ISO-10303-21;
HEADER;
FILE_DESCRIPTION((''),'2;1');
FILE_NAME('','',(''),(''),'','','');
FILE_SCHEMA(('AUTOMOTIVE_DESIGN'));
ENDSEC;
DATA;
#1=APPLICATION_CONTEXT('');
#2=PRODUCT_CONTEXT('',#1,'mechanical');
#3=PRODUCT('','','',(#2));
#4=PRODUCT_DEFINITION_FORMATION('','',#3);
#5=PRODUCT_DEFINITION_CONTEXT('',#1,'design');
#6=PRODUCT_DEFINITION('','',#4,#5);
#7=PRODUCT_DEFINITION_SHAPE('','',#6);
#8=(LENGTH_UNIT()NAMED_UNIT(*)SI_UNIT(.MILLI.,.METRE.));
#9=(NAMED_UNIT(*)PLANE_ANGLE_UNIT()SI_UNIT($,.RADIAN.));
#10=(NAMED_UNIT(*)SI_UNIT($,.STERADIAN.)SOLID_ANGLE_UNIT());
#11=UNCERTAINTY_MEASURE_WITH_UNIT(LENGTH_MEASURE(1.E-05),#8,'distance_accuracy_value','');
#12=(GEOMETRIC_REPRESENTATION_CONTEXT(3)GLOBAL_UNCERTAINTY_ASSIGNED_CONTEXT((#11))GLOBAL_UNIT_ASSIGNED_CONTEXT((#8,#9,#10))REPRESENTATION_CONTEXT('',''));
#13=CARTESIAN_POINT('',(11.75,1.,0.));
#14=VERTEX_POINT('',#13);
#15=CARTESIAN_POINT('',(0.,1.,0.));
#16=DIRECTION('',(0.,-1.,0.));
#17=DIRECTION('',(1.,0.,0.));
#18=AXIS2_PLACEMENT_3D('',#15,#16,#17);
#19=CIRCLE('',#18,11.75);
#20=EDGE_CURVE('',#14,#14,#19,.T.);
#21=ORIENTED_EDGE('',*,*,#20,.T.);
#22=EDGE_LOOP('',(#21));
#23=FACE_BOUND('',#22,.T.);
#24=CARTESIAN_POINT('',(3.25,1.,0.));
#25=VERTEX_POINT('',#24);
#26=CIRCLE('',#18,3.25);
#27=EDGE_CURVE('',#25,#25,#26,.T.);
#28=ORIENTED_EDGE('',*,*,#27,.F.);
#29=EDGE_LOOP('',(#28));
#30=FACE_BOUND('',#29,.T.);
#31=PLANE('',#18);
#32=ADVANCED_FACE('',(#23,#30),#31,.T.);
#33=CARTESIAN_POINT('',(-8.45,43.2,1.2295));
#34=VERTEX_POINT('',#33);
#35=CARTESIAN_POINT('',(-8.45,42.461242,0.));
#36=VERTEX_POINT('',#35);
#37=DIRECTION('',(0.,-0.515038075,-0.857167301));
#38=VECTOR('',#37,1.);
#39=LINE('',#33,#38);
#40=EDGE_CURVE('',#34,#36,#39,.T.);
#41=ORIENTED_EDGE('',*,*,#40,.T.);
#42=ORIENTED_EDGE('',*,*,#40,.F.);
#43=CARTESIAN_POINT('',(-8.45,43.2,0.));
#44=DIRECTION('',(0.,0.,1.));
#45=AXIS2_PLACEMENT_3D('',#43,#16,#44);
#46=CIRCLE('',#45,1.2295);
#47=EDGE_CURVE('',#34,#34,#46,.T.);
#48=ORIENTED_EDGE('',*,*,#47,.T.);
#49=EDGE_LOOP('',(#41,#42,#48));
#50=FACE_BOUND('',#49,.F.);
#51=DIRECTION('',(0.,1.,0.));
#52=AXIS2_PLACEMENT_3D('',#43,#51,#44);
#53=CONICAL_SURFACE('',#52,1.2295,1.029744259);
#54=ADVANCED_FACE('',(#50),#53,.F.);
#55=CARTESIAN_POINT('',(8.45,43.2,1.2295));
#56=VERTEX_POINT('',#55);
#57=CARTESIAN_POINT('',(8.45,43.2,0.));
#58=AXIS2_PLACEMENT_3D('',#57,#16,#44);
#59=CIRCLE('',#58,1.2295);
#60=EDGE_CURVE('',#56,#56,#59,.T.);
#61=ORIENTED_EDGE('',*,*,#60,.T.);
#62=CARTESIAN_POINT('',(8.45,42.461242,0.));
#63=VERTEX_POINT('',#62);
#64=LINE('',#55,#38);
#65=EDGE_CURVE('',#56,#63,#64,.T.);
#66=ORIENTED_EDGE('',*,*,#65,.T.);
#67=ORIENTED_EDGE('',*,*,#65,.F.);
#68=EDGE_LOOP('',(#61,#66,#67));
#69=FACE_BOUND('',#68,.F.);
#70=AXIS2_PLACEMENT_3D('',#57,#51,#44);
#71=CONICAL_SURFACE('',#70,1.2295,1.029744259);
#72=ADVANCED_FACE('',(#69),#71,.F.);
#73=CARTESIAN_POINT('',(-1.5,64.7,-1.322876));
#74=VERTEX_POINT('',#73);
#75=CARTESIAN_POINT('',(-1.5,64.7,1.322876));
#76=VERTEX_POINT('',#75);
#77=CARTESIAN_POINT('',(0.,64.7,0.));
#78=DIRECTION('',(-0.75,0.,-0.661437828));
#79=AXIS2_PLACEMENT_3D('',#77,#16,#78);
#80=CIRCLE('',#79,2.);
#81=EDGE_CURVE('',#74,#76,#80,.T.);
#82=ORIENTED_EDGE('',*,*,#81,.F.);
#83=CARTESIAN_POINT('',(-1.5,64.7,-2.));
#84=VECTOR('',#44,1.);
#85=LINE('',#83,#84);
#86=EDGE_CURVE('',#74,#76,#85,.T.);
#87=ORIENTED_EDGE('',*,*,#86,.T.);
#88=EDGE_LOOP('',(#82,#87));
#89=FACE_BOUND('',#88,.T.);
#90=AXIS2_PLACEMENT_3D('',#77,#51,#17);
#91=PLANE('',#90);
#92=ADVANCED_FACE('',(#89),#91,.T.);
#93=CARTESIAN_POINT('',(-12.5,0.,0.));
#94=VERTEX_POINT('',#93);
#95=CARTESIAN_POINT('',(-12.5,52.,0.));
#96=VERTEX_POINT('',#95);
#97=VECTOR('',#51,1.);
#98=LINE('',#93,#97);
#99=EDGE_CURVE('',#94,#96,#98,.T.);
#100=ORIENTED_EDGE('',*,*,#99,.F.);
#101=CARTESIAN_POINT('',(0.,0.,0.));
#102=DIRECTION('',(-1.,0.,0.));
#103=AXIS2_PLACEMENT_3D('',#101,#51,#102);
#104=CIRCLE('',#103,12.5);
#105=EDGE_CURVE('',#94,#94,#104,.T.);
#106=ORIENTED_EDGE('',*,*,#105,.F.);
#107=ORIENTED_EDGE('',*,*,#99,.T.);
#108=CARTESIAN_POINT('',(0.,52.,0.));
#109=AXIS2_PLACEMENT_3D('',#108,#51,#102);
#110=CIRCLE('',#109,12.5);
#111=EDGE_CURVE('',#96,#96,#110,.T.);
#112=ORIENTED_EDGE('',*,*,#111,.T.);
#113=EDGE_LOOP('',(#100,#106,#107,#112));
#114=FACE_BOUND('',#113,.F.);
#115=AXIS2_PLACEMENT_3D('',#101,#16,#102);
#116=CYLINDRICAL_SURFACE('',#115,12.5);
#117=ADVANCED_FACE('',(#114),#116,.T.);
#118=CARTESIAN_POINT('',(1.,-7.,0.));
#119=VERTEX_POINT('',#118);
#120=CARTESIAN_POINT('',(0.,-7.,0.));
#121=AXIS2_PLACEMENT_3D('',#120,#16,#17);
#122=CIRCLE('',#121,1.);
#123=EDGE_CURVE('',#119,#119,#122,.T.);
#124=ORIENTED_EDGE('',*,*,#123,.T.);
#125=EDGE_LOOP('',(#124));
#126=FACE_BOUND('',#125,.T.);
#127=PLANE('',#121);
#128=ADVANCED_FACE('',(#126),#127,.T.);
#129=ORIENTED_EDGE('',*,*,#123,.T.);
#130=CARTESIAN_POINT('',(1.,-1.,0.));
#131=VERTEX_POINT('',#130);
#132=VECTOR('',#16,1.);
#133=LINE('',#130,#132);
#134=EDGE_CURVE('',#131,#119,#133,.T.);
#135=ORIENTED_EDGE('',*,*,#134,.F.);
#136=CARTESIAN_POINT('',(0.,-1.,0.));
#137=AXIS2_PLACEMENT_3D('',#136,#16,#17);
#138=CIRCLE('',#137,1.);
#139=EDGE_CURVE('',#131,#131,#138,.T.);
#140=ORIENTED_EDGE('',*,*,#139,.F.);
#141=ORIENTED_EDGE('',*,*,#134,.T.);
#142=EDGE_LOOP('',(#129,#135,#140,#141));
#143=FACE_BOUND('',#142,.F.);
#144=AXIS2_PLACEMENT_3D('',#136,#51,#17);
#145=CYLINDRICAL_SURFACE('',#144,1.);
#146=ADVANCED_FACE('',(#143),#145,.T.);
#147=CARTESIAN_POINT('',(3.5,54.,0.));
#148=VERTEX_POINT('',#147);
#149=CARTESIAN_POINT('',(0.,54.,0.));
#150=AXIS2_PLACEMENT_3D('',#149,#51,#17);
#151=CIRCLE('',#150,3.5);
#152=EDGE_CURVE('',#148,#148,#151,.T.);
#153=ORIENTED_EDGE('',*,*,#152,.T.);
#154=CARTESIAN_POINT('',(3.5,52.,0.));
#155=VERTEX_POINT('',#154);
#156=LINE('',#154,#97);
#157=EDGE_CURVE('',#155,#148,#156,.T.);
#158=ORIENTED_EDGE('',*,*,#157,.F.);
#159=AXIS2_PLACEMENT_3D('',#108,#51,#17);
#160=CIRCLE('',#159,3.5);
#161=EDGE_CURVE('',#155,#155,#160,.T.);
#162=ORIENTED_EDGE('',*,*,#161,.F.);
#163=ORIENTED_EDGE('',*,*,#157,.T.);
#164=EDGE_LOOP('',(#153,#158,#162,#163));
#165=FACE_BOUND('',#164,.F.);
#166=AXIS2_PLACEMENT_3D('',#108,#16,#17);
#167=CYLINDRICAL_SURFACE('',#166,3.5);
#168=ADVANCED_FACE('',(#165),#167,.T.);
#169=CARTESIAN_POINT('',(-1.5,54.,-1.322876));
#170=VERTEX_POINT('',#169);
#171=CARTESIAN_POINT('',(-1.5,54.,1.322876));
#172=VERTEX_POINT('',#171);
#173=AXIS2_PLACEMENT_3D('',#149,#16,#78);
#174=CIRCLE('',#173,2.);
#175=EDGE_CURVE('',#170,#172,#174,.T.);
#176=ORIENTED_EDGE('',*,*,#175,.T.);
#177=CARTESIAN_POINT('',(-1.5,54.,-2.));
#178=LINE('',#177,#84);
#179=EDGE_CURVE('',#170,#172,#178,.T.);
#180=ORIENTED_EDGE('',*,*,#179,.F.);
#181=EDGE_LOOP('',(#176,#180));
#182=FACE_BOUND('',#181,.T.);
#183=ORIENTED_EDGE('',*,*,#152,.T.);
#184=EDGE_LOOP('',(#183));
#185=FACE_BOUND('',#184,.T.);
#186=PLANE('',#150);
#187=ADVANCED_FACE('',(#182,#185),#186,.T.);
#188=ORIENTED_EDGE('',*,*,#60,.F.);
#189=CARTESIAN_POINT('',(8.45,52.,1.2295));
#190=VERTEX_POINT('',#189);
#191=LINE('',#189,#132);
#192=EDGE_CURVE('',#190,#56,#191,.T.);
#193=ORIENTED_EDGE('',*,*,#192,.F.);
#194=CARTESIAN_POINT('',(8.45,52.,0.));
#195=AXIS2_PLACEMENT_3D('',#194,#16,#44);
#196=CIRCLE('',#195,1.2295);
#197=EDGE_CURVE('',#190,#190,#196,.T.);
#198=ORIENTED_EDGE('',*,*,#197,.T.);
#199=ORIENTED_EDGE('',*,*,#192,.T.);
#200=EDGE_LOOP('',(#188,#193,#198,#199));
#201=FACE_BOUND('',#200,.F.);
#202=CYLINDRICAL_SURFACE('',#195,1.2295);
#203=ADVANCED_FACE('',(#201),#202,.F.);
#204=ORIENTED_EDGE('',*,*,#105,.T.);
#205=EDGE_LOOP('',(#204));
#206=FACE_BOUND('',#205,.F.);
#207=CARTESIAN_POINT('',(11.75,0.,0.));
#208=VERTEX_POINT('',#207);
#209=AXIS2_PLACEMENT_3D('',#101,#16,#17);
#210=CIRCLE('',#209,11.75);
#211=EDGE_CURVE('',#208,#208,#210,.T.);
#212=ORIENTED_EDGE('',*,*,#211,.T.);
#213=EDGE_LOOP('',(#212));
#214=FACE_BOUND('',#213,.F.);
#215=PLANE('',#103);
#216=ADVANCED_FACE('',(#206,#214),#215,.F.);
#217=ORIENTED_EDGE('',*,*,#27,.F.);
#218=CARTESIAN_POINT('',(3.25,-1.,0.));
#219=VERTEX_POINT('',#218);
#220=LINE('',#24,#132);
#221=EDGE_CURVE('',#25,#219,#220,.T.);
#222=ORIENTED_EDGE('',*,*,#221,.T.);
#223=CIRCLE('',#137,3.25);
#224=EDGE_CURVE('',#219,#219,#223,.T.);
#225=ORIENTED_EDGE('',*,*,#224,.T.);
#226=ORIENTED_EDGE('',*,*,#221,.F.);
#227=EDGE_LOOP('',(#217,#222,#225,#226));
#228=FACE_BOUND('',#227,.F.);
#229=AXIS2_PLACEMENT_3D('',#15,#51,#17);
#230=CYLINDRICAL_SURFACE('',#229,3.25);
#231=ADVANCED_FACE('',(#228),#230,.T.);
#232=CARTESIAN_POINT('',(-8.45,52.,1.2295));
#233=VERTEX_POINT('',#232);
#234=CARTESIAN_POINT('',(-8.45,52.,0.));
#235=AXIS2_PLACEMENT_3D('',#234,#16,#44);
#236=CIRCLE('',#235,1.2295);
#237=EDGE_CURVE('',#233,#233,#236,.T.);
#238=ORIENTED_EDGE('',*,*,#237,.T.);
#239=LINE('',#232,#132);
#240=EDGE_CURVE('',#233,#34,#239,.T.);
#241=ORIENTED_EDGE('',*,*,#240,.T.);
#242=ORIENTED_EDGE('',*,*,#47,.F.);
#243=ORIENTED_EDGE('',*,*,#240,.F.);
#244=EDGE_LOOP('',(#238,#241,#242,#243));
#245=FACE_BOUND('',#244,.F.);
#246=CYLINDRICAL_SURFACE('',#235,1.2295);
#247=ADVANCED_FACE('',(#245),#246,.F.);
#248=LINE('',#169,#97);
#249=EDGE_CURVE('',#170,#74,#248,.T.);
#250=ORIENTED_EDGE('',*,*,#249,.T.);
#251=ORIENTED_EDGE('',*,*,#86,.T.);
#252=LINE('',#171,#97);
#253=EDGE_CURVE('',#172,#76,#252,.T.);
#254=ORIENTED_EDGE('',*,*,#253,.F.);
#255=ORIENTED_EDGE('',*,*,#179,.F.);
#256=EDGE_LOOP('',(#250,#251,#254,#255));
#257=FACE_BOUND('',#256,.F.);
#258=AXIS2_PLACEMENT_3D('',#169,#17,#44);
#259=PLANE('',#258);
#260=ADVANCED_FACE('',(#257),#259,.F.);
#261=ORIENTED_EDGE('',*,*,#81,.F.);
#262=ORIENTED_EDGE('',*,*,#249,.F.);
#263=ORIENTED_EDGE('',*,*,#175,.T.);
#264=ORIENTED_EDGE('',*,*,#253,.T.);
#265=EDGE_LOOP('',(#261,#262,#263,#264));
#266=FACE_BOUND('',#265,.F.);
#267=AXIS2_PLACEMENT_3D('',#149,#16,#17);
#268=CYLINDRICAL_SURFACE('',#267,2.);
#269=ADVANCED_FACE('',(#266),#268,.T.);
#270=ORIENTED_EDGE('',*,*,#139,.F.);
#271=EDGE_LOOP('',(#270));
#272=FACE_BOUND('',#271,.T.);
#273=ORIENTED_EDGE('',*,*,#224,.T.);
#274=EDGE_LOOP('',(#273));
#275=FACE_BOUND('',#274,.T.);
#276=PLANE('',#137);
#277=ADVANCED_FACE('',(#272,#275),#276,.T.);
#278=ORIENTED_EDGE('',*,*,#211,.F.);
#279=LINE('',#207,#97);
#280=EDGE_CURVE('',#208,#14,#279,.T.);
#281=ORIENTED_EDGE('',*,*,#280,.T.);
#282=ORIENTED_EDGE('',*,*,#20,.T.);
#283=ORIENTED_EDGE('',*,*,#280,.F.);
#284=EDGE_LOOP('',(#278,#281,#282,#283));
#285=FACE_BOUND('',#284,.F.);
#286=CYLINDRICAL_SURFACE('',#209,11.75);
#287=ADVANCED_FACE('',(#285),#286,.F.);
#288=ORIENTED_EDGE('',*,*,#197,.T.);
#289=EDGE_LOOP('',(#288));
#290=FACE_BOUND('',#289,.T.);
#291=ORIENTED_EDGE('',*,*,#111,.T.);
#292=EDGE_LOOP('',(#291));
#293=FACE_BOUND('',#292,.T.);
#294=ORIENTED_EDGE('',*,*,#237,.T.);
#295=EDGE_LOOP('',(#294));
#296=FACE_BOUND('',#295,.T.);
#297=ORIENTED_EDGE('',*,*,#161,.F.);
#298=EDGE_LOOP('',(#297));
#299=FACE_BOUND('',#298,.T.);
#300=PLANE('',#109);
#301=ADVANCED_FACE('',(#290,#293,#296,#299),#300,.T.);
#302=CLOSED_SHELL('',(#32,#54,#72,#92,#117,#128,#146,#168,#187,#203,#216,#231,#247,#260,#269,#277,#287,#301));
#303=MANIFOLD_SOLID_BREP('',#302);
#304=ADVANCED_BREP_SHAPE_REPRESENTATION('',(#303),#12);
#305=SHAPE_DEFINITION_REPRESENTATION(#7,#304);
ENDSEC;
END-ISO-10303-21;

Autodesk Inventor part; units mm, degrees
ref_plane "YZ Plane" through (0, 0, 0) normal (1, 0, 0) x (0, 1, 0)
ref_plane "XZ Plane" through (0, 0, 0) normal (0, 1, 0) x (-1, 0, 0)
ref_plane "XY Plane" through (0, 0, 0) normal (0, 0, 1) x (1, 0, 0)
sketch "Sketch1" plane through (0, 0, 0) normal (0, 1, 0) x (-1, 0, 0)
  circle A0 centre (0, 0) radius 12.5
  dimension "d0" = 25
extrude "Extrusion1" add sketch "Sketch1" along normal blind 52
sketch "Sketch2" plane through (0, 52, 0) normal (0, 1, 0) x (1, 0, 0)
  circle A0 centre (0, 0) radius 3.5
  dimension "d3" = 7
extrude "Extrusion2" add sketch "Sketch2" along normal blind 2
sketch "Sketch3" plane through (0, 54, 0) normal (0, 1, 0) x (1, 0, 0)
  circle A0 centre (0, 0) radius 2
  line L0 (-1.5, -2) -> (2, -2)
  line L1 (2, -2) -> (2, 2)
  line L2 (2, 2) -> (-1.5, 2)
  line L3 (-1.5, 2) -> (-1.5, -2)
  point P0 (-1.5, 1.3229)
  point P1 (-1.5, -1.3229)
  dimension "d6" = 4
  dimension "d7" = 3.5
extrude "Extrusion3" add sketch "Sketch3" along normal blind 10.7 contours A0 L3 picked at (0.1351, 0.5212)
sketch "Sketch4" plane through (0, 0, 0) normal (0, -1, 0) x (1, 0, 0)
  circle A0 centre (0, 0) radius 11.75
  dimension "d10" = 23.5
extrude "Extrusion4" cut sketch "Sketch4" against normal blind 1
sketch "Sketch5" plane through (0, 1, 0) normal (0, -1, 0) x (1, 0, 0)
  circle A0 centre (0, 0) radius 12.5 projected
  circle A1 centre (0, 0) radius 3.25
  dimension "d13" = 6.5
extrude "Extrusion5" add sketch "Sketch5" along normal blind 2 contours A1
sketch "Sketch6" plane through (0, -1, 0) normal (0, -1, 0) x (1, 0, 0)
  circle A0 centre (0, 0) radius 1
  dimension "d16" = 2
extrude "Extrusion6" add sketch "Sketch6" along normal blind 6
sketch "Sketch7" plane through (0, 52, 0) normal (0, 1, 0) x (1, 0, 0)
  line L0 (0, 17.5) -> (0, -17.5) projected
  point P0 (0, 0)
  point P1 (-8.45, 0)
  point P2 (8.45, 0)
  dimension "d19" = 16.9
hole "Hole1" at (-8.45, 52, 0) at (8.45, 52, 0) direction (0, -1, 0) diameter 2.459 depth 8.8 tip angle 118 thread size "M3x0.5" class "6H" standard "ANSI Metric M Profile"
properties part number "Motor12V_V1" material "Steel"
